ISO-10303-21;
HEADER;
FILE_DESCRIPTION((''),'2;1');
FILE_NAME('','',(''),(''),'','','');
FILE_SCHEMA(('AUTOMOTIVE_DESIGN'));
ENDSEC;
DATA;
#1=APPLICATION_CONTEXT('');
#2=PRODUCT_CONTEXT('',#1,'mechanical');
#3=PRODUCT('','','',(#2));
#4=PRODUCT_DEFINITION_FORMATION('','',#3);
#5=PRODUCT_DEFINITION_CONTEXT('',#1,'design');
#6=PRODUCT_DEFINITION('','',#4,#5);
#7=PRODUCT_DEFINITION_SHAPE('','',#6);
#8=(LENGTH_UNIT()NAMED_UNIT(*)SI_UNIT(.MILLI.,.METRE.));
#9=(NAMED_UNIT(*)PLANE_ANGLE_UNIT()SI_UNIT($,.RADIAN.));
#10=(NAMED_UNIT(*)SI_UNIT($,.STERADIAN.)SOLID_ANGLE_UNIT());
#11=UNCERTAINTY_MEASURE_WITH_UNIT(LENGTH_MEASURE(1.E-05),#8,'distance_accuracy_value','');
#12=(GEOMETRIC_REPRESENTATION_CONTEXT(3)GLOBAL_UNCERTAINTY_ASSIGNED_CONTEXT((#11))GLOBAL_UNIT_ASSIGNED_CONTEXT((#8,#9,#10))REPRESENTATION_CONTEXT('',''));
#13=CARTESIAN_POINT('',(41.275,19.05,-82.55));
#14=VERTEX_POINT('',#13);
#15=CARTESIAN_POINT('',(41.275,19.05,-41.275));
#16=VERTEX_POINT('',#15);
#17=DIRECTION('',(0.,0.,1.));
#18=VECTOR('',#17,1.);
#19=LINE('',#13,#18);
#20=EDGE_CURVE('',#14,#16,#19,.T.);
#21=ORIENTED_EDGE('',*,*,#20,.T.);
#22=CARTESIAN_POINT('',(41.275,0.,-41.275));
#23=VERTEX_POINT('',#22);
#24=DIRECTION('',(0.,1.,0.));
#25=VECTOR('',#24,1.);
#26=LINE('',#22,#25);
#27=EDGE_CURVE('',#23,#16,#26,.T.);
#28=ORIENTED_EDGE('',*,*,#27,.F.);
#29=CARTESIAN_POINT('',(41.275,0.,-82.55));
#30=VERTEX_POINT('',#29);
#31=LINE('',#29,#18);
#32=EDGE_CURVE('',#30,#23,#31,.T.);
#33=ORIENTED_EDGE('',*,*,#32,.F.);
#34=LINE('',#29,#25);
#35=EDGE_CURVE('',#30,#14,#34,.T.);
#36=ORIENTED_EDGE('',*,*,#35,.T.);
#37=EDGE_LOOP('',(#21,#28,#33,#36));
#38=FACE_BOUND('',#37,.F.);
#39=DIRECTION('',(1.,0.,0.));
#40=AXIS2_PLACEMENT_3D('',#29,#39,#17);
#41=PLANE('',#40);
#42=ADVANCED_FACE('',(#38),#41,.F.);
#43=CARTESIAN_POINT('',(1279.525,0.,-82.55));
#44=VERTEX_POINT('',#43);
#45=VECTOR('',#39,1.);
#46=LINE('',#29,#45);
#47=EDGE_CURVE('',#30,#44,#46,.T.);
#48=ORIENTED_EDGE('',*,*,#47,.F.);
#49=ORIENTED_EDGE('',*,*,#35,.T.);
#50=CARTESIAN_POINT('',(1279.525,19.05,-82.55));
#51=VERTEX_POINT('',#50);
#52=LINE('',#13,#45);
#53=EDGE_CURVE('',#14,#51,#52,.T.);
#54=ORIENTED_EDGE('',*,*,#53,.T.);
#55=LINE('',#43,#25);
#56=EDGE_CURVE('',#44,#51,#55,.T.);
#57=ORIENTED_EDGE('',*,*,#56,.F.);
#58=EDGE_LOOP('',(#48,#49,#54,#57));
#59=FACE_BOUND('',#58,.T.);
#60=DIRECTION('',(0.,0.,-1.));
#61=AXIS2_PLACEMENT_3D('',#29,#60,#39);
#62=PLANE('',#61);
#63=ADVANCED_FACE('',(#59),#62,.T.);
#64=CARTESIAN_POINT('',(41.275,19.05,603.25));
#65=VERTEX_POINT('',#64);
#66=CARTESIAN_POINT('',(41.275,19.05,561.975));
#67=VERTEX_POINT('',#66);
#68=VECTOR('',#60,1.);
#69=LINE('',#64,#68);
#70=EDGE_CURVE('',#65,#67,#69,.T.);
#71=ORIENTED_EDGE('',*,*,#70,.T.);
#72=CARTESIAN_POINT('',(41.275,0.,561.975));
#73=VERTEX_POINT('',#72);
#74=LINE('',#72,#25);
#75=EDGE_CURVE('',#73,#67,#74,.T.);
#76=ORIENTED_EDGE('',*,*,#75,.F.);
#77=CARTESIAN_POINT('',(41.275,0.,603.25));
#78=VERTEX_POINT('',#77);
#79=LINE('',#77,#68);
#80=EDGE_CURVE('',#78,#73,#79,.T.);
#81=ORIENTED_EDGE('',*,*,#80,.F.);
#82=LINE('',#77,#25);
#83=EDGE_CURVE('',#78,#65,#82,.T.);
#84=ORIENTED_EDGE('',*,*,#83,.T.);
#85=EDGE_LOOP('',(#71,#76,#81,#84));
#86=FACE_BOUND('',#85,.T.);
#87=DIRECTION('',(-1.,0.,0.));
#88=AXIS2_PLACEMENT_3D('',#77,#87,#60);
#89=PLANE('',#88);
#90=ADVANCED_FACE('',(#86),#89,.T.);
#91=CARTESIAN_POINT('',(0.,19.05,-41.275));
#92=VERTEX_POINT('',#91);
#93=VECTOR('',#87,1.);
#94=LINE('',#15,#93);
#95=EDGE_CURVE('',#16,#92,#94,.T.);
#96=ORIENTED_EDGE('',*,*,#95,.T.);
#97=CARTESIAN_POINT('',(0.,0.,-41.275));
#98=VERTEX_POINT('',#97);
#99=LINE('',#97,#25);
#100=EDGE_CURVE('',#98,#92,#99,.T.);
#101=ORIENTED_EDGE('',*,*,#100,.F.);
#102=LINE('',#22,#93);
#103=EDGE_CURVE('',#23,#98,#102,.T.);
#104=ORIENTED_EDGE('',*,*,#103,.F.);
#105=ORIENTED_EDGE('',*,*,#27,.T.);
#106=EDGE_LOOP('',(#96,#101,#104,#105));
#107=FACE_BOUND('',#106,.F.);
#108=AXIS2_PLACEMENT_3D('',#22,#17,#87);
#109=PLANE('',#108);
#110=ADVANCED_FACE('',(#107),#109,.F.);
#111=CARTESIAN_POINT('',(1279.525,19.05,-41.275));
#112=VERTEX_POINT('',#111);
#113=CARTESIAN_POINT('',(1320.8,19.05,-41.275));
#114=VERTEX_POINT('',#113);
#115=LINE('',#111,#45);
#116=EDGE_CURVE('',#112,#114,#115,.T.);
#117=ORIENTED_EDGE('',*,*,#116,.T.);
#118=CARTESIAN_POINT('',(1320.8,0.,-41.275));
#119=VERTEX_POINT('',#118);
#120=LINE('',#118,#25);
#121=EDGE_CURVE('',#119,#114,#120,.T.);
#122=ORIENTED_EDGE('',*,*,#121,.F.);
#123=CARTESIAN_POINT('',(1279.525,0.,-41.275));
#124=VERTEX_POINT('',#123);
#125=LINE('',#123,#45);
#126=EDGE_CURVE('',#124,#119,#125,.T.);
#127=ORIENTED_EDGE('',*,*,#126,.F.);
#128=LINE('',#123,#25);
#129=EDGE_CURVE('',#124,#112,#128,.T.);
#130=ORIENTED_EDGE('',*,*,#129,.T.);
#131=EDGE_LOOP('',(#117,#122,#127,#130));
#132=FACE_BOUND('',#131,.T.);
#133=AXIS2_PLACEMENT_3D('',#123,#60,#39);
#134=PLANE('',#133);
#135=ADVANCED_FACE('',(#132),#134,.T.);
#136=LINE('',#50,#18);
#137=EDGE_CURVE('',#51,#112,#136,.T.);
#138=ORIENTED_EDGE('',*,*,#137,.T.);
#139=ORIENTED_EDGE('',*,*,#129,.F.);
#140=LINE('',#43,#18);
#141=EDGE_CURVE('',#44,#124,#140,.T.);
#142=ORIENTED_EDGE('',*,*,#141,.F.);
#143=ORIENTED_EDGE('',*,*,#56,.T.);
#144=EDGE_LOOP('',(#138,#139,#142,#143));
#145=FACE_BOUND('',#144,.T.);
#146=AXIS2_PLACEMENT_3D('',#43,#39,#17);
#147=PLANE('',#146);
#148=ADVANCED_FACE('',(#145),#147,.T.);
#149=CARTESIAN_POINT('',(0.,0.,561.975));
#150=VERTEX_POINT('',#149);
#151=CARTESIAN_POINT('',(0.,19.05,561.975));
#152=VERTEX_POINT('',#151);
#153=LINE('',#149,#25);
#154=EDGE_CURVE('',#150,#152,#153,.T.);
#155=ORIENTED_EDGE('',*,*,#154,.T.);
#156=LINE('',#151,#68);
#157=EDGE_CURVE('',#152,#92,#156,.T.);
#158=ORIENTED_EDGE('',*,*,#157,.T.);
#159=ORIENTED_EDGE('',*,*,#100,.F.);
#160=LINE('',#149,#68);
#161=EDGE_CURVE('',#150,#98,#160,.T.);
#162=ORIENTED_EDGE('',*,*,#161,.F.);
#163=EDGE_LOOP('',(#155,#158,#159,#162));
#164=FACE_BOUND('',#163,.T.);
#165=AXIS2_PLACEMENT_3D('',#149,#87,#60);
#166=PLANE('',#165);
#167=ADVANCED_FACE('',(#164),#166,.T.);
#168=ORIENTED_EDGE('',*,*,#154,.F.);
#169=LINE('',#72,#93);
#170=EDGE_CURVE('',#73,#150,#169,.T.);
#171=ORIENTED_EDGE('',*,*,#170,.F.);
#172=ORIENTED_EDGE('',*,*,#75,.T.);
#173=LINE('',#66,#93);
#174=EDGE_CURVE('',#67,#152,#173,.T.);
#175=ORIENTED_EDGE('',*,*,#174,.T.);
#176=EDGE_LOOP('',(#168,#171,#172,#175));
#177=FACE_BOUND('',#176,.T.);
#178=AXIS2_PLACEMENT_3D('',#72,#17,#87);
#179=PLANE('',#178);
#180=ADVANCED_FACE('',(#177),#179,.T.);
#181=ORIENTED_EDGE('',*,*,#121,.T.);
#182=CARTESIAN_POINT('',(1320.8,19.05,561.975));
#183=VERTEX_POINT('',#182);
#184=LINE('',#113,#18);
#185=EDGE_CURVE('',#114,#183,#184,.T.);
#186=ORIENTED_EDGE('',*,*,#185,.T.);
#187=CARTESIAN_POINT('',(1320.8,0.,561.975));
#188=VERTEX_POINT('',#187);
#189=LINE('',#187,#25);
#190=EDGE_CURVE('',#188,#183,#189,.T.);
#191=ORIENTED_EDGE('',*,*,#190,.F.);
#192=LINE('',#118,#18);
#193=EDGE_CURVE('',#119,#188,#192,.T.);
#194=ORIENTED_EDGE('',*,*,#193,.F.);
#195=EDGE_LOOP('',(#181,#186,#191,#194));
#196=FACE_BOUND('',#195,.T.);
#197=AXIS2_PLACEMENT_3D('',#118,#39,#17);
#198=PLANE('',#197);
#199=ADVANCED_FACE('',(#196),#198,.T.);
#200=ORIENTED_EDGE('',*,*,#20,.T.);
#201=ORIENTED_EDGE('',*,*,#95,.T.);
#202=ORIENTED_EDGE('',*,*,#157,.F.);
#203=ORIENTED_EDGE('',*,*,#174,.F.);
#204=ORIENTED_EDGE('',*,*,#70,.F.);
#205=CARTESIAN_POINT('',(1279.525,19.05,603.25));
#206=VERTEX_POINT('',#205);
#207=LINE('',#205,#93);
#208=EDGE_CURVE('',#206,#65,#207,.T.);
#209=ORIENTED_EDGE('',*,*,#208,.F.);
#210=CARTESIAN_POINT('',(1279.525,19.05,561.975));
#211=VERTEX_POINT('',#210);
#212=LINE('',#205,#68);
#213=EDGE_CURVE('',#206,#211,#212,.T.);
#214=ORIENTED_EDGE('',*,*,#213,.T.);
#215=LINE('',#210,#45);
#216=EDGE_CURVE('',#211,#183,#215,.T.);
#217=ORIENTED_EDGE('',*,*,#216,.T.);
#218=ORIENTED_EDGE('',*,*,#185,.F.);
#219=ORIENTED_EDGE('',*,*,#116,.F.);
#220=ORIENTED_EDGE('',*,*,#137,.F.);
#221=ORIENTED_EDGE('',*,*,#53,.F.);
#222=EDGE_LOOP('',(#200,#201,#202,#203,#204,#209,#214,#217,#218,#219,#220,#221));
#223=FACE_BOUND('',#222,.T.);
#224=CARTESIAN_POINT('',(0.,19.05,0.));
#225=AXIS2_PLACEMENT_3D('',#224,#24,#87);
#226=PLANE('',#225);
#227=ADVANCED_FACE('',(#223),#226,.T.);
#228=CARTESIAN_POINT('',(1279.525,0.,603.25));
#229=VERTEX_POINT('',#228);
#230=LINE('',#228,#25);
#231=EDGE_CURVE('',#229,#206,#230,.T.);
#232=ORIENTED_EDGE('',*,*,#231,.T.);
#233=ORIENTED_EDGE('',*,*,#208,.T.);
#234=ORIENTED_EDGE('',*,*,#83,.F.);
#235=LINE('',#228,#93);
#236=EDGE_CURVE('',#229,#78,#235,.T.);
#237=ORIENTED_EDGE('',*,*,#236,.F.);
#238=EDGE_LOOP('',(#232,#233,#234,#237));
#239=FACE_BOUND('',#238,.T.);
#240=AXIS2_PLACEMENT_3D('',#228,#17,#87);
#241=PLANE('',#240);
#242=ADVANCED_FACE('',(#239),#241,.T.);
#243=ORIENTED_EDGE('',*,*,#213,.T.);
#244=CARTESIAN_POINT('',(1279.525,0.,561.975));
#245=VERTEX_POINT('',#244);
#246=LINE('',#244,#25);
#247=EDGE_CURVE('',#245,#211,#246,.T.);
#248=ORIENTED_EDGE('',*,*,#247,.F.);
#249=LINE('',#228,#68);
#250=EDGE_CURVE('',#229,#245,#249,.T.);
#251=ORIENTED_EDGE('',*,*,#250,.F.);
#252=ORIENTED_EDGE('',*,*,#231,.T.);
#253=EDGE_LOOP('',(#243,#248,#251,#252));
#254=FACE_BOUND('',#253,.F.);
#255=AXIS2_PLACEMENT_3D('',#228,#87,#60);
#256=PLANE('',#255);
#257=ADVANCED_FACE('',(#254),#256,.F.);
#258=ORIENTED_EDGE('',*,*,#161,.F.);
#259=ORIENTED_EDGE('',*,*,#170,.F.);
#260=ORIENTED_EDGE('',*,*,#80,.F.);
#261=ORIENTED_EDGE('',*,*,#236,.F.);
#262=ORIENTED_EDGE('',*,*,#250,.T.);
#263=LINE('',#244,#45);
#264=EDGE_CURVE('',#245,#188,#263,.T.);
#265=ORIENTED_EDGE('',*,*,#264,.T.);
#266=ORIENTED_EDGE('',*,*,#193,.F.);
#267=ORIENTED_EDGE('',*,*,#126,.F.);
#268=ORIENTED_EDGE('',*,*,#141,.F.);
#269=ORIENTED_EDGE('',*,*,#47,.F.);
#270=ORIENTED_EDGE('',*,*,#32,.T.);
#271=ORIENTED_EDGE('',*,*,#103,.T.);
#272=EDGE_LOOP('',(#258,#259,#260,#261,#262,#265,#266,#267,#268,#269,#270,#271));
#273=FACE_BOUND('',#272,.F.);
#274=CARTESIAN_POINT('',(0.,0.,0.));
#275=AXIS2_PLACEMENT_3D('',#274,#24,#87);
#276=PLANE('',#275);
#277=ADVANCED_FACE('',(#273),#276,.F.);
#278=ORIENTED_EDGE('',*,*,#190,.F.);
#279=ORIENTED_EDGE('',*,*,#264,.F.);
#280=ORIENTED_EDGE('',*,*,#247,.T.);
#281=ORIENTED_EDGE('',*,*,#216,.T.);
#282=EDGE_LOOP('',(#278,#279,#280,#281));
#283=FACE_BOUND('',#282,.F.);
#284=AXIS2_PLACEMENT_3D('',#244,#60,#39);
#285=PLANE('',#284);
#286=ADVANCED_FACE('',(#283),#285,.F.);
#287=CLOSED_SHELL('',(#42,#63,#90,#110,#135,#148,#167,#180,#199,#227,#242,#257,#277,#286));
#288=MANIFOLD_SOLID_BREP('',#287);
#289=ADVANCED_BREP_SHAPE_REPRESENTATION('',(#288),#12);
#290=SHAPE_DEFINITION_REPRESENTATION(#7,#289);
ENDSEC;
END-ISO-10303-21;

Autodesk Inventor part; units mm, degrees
ref_plane "YZ Plane" through (0, 0, 0) normal (1, 0, 0) x (0, 1, 0)
ref_plane "XZ Plane" through (0, 0, 0) normal (0, 1, 0) x (-1, 0, 0)
ref_plane "XY Plane" through (0, 0, 0) normal (0, 0, 1) x (1, 0, 0)
sketch "Sketch1" plane through (0, 0, 0) normal (0, 1, 0) x (-1, 0, 0)
  line L0 (-41.275, -82.55) -> (-1279.525, -82.55)
  line L1 (-1320.8, -41.275) -> (-1320.8, 561.975)
  line L2 (-1279.525, 603.25) -> (-41.275, 603.25)
  line L3 (0, 561.975) -> (0, -41.275)
  line L4 (-1279.525, 603.25) -> (-1279.525, 561.975)
  line L5 (-1279.525, 561.975) -> (-1320.8, 561.975)
  line L6 (-1279.525, -82.55) -> (-1279.525, -41.275)
  line L7 (-1279.525, -41.275) -> (-1320.8, -41.275)
  line L8 (-41.275, 603.25) -> (-41.275, 561.975)
  line L9 (-41.275, 561.975) -> (0, 561.975)
  line L10 (-41.275, -82.55) -> (-41.275, -41.275)
  line L11 (-41.275, -41.275) -> (0, -41.275)
  point P0 (0, 0)
  dimension "d2" = 41.275
  dimension "d3" = 41.275
  dimension "d4" = 41.275
  dimension "d5" = 41.275
  dimension "d6" = 41.275
  dimension "d7" = 41.275
  dimension "d8" = 41.275
  dimension "d9" = 41.275
  dimension "d10" = 90
  dimension "d11" = 90
  dimension "d12" = 90
  dimension "d13" = 90
  dimension "d14" = 90
  dimension "d15" = 90
  dimension "d16" = 90
  dimension "d17" = 90
  dimension "d20" = 685.8
extrude "Extrusion1" add sketch "Sketch1" along normal blind 19.05
properties part number "cart shelf" material "Wood (Birch)"
